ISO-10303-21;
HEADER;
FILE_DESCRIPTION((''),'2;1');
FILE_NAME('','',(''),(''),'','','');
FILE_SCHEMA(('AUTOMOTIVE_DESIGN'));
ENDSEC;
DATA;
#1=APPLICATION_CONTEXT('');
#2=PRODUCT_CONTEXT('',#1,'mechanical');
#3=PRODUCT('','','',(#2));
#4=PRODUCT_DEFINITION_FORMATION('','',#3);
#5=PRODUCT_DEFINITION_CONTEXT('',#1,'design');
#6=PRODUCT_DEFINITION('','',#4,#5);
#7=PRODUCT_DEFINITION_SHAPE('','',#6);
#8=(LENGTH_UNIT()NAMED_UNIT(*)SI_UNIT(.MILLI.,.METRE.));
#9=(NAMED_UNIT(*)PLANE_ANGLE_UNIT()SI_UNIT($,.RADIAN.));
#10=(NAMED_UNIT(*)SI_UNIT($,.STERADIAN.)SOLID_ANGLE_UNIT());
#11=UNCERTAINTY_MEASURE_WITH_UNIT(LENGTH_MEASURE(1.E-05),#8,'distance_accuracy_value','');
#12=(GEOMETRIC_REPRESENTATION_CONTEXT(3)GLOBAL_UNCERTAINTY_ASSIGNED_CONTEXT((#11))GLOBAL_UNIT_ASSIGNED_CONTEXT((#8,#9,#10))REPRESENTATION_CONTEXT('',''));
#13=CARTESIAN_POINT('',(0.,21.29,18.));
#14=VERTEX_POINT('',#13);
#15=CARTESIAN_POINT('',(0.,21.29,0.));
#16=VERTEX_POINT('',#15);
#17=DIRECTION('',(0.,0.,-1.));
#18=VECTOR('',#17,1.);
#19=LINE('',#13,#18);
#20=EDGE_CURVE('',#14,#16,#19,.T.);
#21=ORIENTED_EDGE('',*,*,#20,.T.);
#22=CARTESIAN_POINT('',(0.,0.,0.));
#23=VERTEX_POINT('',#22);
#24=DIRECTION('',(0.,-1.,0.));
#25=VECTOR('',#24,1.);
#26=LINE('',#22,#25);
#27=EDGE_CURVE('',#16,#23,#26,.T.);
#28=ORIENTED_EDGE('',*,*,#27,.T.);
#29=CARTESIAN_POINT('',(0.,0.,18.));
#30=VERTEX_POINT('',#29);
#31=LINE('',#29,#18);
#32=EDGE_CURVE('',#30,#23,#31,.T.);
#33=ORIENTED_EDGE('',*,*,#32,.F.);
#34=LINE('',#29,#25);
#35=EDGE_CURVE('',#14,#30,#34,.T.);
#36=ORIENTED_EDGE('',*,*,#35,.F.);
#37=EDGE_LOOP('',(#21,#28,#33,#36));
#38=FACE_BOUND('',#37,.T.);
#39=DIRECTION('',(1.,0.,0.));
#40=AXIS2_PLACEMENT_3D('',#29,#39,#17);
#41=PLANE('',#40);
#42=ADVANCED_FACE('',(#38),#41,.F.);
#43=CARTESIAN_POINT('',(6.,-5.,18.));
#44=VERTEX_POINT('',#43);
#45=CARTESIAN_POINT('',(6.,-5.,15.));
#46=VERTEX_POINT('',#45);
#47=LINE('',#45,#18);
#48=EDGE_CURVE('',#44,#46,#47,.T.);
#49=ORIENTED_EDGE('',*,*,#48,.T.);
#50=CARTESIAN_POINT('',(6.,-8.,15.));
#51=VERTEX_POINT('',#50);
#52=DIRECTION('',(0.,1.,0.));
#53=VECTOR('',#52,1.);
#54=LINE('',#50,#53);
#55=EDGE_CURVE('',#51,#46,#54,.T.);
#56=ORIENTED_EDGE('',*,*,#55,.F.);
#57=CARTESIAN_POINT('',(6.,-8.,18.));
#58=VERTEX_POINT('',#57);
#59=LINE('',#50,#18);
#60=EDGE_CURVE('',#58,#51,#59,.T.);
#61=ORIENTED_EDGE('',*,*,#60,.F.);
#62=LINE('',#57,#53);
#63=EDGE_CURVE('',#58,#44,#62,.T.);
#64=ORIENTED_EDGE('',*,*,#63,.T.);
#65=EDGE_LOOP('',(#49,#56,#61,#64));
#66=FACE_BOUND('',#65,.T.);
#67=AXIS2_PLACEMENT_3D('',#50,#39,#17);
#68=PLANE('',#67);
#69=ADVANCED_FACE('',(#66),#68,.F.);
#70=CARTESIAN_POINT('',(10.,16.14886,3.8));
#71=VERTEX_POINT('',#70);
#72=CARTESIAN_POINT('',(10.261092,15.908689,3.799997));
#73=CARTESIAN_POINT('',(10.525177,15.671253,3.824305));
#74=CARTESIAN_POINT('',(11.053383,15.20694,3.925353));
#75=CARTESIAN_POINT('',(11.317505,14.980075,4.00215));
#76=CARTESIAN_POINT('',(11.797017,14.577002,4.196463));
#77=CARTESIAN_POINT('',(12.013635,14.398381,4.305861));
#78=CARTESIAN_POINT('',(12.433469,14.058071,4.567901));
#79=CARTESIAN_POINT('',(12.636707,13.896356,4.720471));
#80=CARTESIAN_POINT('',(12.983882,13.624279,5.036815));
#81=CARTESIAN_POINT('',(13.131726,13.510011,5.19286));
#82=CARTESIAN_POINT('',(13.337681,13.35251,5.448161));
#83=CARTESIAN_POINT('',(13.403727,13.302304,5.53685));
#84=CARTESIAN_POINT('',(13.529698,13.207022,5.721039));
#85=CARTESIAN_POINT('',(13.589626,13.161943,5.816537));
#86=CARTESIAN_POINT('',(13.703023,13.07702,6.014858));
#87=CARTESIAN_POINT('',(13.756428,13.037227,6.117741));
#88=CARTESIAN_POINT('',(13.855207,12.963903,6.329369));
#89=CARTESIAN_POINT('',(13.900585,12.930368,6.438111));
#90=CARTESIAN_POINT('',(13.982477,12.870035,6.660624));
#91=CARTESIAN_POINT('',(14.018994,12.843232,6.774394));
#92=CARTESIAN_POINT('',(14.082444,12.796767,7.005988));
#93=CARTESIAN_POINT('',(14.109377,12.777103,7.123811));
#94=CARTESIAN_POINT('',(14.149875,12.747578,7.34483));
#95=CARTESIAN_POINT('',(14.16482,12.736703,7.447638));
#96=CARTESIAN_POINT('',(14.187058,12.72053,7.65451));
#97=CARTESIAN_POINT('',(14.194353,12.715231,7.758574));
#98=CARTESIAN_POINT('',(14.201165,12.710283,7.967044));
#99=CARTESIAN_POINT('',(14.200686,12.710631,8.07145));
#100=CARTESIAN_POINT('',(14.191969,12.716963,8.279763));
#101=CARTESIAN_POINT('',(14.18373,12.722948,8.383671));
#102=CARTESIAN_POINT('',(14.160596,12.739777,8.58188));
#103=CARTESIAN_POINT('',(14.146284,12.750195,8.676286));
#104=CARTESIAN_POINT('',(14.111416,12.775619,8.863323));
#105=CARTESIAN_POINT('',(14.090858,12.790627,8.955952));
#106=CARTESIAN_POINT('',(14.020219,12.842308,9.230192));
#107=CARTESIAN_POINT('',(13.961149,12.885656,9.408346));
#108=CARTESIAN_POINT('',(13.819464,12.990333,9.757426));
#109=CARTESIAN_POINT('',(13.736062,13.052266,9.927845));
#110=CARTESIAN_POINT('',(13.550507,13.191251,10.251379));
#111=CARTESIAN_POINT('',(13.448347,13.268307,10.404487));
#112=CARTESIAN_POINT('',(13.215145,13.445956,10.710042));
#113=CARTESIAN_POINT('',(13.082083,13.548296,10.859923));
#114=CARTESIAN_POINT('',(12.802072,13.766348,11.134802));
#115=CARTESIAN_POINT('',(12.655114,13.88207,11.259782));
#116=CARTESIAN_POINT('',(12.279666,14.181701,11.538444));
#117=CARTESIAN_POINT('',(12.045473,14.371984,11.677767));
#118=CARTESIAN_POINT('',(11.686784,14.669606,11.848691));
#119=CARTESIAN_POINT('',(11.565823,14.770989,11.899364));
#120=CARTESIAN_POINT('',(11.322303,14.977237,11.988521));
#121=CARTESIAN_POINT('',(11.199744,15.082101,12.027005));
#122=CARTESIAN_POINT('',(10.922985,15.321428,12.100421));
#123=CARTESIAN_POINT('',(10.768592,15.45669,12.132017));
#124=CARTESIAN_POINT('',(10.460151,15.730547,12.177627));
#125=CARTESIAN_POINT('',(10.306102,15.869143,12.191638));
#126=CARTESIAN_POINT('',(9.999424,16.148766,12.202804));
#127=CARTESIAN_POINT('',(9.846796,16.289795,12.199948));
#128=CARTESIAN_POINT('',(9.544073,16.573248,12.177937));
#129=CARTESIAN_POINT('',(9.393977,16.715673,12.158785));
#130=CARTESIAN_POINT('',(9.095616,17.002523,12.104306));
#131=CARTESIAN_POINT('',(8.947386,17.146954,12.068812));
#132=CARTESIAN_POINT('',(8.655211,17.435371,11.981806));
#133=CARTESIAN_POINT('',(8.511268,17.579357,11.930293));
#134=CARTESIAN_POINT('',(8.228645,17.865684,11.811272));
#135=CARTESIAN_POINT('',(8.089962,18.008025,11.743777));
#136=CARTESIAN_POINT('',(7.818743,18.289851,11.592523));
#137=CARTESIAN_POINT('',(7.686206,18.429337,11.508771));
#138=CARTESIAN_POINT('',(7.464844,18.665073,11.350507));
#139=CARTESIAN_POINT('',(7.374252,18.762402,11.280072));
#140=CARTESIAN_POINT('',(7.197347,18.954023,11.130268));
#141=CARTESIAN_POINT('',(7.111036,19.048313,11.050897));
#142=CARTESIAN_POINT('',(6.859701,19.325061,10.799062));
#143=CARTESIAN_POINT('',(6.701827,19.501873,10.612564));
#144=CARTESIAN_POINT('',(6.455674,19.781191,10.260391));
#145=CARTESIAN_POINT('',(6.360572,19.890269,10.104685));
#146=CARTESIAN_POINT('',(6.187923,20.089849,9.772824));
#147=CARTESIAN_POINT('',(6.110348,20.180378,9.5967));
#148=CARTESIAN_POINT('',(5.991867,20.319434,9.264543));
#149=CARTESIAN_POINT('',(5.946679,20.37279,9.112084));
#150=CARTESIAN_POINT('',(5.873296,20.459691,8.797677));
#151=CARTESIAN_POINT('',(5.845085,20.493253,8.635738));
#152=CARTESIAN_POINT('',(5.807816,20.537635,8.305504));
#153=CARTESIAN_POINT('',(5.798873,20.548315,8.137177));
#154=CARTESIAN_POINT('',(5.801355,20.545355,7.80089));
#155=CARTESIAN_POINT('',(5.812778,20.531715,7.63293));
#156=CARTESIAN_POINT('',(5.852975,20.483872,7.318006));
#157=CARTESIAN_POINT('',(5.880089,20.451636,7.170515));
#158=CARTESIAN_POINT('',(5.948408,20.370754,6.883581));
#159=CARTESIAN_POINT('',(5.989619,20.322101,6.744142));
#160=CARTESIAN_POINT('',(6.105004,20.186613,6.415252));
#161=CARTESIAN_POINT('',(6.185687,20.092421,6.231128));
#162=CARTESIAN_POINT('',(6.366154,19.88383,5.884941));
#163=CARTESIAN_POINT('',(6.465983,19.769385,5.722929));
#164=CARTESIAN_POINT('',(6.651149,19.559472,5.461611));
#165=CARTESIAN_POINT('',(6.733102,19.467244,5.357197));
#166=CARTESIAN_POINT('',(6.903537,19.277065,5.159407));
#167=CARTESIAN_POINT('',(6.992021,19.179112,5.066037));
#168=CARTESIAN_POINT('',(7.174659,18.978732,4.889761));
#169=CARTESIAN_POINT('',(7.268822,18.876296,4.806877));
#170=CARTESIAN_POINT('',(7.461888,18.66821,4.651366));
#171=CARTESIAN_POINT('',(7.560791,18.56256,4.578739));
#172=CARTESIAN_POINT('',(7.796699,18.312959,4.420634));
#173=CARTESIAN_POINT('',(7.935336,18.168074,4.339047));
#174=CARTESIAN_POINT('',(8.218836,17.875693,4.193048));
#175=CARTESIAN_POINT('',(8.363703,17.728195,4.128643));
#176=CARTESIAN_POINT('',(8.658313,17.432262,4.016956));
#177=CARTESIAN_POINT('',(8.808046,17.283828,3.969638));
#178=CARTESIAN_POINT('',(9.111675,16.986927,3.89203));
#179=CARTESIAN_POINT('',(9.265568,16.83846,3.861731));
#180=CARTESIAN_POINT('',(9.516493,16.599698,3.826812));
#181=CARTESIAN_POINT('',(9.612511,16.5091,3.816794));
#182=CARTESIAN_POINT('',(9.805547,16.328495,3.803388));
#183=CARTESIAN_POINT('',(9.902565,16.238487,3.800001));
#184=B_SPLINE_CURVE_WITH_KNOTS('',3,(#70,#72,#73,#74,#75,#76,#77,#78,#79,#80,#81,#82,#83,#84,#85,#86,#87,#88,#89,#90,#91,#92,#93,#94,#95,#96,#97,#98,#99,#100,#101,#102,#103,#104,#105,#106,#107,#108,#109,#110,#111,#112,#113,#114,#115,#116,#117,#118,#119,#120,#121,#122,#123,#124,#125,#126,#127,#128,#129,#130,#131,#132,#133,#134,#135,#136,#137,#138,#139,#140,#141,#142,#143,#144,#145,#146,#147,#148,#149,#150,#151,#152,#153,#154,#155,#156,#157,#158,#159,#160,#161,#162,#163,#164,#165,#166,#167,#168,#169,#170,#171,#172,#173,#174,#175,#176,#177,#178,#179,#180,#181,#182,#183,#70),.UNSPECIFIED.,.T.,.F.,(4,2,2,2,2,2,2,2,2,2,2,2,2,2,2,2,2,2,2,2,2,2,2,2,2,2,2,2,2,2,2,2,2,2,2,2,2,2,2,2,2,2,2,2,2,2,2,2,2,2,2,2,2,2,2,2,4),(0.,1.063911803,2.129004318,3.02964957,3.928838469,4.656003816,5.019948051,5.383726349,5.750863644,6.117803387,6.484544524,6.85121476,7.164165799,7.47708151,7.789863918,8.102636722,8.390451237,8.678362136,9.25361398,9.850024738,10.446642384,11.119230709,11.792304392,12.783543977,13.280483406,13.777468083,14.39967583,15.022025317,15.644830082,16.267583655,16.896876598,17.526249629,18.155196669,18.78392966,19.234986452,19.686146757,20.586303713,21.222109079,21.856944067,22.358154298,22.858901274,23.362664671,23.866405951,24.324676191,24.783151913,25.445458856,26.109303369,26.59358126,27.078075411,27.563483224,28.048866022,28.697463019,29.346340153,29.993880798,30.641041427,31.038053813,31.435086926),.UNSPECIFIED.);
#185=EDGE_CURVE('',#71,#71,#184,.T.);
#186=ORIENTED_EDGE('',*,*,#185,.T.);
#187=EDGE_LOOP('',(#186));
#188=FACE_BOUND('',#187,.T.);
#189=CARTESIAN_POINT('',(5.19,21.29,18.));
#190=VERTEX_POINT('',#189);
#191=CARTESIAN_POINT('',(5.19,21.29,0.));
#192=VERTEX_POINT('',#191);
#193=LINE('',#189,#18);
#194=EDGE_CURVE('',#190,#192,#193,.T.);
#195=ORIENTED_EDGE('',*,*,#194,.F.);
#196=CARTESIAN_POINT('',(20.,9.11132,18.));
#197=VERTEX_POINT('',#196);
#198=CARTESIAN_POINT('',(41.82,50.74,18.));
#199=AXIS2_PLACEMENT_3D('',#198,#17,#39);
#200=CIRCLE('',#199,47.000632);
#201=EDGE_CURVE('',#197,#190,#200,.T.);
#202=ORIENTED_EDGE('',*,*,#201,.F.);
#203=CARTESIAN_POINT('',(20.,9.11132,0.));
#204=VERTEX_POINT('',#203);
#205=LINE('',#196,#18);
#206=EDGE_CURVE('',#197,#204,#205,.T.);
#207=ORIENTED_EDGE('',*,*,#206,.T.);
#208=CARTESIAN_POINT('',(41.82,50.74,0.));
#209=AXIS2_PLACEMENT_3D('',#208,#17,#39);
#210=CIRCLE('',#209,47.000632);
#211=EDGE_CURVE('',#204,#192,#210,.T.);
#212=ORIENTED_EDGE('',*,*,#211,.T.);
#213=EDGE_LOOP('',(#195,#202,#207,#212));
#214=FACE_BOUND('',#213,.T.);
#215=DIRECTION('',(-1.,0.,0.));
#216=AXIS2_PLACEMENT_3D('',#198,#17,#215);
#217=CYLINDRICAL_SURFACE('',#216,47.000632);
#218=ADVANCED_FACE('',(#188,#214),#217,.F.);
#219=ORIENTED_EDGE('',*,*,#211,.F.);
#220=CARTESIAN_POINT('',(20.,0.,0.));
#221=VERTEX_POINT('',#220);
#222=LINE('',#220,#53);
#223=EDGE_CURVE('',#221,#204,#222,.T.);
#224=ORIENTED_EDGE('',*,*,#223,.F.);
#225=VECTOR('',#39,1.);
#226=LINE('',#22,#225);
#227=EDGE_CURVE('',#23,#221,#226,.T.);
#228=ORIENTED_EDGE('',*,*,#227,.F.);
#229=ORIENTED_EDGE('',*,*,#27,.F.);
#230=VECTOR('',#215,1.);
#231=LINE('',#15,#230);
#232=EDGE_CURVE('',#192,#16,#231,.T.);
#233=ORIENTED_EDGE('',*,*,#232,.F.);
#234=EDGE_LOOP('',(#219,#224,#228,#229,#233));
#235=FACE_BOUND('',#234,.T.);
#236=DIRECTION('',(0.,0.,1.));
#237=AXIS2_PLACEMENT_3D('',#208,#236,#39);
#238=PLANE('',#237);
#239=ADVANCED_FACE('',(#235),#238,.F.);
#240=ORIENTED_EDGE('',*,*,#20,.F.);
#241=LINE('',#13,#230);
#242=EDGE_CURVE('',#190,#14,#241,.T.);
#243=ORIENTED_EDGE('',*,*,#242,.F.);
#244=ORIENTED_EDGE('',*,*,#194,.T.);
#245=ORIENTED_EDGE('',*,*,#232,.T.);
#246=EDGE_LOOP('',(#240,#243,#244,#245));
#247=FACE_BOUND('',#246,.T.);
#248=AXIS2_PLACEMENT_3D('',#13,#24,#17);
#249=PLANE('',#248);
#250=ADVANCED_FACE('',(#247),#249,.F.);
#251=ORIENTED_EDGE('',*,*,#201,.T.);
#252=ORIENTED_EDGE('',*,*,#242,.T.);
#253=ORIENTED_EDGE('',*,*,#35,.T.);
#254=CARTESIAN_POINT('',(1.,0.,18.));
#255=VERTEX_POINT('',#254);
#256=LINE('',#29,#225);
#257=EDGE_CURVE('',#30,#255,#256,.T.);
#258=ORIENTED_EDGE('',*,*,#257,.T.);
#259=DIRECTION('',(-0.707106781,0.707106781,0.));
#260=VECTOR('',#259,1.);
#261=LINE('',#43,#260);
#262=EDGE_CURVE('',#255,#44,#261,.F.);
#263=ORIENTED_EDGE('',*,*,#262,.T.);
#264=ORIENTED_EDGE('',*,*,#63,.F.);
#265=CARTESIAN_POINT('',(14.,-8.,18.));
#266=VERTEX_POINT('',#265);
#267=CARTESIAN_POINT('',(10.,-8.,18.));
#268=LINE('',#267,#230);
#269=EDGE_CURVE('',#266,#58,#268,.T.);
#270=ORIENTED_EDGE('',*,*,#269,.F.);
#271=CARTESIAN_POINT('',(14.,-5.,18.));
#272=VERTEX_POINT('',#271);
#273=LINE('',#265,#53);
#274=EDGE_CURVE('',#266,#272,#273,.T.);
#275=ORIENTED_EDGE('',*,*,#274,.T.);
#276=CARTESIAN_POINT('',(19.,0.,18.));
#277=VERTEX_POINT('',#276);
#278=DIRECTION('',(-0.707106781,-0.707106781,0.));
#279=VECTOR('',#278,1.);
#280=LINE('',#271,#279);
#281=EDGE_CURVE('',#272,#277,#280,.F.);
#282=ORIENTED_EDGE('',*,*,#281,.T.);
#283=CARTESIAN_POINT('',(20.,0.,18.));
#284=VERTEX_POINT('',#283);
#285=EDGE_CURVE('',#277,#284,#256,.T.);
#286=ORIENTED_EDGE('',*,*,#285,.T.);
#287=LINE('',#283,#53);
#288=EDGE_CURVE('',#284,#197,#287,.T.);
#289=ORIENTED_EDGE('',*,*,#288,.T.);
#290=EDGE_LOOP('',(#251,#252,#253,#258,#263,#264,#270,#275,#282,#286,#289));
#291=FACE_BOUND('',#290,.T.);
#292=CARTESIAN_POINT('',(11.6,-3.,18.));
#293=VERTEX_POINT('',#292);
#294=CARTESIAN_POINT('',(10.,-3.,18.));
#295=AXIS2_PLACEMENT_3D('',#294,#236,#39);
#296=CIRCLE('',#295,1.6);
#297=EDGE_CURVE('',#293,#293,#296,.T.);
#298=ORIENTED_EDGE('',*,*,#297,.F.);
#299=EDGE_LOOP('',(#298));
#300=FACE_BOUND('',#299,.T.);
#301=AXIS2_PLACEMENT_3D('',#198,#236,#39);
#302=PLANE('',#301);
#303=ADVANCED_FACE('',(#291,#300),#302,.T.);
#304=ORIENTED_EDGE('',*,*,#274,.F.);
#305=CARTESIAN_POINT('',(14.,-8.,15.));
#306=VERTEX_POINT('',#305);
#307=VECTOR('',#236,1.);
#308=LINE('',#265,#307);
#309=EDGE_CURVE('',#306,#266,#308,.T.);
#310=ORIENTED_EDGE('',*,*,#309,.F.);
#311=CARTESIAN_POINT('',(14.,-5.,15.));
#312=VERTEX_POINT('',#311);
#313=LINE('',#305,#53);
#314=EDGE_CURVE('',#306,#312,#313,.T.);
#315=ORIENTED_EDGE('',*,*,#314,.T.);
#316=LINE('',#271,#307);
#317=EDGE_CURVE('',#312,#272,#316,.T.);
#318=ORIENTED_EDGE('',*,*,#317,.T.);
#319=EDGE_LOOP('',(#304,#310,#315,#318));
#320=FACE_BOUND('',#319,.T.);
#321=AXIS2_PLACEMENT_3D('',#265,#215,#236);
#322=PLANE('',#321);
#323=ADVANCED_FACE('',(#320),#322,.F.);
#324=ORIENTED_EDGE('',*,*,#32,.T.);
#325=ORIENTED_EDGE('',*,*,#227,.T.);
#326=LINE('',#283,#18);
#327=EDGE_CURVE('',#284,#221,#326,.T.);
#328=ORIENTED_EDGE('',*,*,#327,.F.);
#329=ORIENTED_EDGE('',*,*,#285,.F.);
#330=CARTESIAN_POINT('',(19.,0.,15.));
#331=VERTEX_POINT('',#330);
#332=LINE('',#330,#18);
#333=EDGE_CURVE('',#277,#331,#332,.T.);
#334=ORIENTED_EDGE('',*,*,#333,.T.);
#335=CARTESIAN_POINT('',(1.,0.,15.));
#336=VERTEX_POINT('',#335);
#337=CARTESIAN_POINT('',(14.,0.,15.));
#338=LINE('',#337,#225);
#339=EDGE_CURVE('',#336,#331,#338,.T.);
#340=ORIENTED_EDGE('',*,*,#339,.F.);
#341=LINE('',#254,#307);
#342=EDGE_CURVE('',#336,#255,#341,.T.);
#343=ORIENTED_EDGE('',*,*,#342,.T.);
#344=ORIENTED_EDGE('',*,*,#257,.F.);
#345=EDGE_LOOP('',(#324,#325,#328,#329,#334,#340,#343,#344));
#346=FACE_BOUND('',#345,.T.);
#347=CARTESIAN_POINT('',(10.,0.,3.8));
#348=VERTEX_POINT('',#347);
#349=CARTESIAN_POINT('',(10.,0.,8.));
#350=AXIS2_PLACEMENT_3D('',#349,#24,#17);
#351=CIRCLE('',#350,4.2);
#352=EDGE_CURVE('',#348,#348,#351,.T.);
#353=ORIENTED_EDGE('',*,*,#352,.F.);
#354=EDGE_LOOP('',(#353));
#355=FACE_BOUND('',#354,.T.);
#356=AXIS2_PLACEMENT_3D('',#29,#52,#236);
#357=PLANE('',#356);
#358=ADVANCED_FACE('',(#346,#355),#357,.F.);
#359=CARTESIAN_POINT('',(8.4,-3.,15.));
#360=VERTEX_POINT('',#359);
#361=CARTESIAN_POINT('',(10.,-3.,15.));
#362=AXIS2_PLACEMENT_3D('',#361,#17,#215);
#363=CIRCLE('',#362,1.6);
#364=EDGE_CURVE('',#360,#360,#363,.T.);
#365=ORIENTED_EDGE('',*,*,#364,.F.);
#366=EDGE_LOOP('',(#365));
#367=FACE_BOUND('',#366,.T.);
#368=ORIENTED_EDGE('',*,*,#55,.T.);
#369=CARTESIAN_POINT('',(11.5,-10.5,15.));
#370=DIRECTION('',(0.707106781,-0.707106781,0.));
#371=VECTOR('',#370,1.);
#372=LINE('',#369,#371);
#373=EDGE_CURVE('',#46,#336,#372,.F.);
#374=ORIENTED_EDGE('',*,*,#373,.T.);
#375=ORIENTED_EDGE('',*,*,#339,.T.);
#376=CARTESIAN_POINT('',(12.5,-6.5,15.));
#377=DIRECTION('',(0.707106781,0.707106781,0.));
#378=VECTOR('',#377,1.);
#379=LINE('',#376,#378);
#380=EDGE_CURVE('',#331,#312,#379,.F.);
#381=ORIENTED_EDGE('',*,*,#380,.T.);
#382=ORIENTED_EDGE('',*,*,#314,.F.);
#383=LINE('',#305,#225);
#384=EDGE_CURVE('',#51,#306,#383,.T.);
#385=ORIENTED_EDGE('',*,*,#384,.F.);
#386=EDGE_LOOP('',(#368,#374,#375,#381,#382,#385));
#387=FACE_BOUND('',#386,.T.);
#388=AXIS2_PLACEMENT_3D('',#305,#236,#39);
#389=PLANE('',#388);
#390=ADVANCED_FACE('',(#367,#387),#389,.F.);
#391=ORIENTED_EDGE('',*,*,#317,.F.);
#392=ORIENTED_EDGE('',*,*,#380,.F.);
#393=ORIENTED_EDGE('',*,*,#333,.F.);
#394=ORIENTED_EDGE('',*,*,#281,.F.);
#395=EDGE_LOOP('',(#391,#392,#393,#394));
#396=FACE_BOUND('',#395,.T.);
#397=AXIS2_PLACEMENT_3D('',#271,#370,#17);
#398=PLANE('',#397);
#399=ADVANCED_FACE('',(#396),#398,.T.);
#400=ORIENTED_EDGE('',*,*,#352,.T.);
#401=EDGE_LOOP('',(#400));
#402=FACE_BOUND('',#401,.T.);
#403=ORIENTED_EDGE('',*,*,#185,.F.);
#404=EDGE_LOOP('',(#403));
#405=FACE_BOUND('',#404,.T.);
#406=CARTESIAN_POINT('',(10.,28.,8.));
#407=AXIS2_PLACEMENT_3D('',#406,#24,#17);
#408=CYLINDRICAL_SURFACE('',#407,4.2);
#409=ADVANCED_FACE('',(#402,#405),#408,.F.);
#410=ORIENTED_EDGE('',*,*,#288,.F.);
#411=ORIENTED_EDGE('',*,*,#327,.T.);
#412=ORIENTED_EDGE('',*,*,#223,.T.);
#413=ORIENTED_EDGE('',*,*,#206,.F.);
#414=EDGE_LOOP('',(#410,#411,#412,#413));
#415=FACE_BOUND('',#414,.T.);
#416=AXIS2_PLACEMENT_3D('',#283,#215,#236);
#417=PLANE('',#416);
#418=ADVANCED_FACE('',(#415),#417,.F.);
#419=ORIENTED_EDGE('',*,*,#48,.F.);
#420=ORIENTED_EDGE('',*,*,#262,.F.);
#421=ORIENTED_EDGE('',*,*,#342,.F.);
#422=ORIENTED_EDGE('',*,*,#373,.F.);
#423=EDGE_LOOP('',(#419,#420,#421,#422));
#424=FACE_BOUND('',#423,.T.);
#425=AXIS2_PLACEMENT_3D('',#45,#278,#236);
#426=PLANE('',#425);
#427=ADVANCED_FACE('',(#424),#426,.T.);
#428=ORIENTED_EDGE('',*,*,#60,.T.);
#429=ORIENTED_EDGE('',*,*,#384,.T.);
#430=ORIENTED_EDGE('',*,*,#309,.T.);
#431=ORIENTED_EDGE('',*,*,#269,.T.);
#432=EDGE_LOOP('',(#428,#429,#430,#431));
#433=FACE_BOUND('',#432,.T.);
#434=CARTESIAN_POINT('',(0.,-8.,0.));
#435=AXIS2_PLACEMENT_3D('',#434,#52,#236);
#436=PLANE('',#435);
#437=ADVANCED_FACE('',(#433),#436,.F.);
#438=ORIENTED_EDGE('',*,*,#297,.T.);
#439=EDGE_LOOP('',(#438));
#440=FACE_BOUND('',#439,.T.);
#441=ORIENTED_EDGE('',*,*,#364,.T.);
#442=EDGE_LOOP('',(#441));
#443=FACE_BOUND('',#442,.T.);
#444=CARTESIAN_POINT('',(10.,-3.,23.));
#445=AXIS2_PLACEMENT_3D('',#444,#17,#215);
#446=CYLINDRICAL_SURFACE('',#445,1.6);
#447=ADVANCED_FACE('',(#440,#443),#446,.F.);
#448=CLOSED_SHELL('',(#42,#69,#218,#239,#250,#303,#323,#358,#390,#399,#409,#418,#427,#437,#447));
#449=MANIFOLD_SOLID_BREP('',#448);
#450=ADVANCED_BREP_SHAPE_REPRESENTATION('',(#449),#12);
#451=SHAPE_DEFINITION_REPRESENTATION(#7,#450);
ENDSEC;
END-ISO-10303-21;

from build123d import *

# Parameters (mm, degrees)
EXTRUDE_1_DEPTH     = 18
SKETCH_6_R          = 4.2
CUT_EXTRUDE_1_DEPTH = 28
EXTRUDE_2_DEPTH     = 8
CHAMFER_1_SIZE      = 5
CHAMFER_2_SIZE      = 5
SKETCH_8_R          = 1.6
CUT_EXTRUDE_2_DEPTH = 8


with BuildPart() as part:
    # 草图1 → 凸台-拉伸1 (new body)
    with BuildSketch(Plane.XY):
        with BuildLine():
            Line((0, 0), (20, 0))
            Line((20, 0), (20, 9.111319982))
            ThreePointArc((20, 9.111319982), (11.967350423, 14.437400737), (5.19, 21.29))
            Line((5.19, 21.29), (0, 21.29))
            Line((0, 21.29), (0, 0))
        make_face()
    extrude(amount=EXTRUDE_1_DEPTH)

    # 草图6 → 切除-拉伸1 (cut)
    with BuildSketch(Plane.XZ):
        with Locations((10, 8)):
            Circle(SKETCH_6_R)
    extrude(amount=-CUT_EXTRUDE_1_DEPTH, mode=Mode.SUBTRACT)

    # 草图7 → 凸台-拉伸2 (add)
    with BuildSketch(Plane.XZ):
        Polygon((10, 18), (6, 18), (6, 15), (14, 15), (14, 18), align=None)
    extrude(amount=EXTRUDE_2_DEPTH)

    # 倒角1
    chamfer_1_edges = [part.edges().sort_by_distance(p)[0] for p in [
        (14, 0, 16.5),
    ]]
    chamfer(chamfer_1_edges, length=CHAMFER_1_SIZE)

    # 倒角2
    chamfer_2_edges = [part.edges().sort_by_distance(p)[0] for p in [
        (6, 0, 16.5),
    ]]
    chamfer(chamfer_2_edges, length=CHAMFER_2_SIZE)

    # 草图8 → 切除-拉伸2 (cut)
    with BuildSketch(Plane(origin=(0, 0, 15), x_dir=(-1, 0, 0), z_dir=(0, 0, -1))):
        with Locations((-10, -3)):
            Circle(SKETCH_8_R)
    extrude(amount=-CUT_EXTRUDE_2_DEPTH, mode=Mode.SUBTRACT)


solid = part.part
